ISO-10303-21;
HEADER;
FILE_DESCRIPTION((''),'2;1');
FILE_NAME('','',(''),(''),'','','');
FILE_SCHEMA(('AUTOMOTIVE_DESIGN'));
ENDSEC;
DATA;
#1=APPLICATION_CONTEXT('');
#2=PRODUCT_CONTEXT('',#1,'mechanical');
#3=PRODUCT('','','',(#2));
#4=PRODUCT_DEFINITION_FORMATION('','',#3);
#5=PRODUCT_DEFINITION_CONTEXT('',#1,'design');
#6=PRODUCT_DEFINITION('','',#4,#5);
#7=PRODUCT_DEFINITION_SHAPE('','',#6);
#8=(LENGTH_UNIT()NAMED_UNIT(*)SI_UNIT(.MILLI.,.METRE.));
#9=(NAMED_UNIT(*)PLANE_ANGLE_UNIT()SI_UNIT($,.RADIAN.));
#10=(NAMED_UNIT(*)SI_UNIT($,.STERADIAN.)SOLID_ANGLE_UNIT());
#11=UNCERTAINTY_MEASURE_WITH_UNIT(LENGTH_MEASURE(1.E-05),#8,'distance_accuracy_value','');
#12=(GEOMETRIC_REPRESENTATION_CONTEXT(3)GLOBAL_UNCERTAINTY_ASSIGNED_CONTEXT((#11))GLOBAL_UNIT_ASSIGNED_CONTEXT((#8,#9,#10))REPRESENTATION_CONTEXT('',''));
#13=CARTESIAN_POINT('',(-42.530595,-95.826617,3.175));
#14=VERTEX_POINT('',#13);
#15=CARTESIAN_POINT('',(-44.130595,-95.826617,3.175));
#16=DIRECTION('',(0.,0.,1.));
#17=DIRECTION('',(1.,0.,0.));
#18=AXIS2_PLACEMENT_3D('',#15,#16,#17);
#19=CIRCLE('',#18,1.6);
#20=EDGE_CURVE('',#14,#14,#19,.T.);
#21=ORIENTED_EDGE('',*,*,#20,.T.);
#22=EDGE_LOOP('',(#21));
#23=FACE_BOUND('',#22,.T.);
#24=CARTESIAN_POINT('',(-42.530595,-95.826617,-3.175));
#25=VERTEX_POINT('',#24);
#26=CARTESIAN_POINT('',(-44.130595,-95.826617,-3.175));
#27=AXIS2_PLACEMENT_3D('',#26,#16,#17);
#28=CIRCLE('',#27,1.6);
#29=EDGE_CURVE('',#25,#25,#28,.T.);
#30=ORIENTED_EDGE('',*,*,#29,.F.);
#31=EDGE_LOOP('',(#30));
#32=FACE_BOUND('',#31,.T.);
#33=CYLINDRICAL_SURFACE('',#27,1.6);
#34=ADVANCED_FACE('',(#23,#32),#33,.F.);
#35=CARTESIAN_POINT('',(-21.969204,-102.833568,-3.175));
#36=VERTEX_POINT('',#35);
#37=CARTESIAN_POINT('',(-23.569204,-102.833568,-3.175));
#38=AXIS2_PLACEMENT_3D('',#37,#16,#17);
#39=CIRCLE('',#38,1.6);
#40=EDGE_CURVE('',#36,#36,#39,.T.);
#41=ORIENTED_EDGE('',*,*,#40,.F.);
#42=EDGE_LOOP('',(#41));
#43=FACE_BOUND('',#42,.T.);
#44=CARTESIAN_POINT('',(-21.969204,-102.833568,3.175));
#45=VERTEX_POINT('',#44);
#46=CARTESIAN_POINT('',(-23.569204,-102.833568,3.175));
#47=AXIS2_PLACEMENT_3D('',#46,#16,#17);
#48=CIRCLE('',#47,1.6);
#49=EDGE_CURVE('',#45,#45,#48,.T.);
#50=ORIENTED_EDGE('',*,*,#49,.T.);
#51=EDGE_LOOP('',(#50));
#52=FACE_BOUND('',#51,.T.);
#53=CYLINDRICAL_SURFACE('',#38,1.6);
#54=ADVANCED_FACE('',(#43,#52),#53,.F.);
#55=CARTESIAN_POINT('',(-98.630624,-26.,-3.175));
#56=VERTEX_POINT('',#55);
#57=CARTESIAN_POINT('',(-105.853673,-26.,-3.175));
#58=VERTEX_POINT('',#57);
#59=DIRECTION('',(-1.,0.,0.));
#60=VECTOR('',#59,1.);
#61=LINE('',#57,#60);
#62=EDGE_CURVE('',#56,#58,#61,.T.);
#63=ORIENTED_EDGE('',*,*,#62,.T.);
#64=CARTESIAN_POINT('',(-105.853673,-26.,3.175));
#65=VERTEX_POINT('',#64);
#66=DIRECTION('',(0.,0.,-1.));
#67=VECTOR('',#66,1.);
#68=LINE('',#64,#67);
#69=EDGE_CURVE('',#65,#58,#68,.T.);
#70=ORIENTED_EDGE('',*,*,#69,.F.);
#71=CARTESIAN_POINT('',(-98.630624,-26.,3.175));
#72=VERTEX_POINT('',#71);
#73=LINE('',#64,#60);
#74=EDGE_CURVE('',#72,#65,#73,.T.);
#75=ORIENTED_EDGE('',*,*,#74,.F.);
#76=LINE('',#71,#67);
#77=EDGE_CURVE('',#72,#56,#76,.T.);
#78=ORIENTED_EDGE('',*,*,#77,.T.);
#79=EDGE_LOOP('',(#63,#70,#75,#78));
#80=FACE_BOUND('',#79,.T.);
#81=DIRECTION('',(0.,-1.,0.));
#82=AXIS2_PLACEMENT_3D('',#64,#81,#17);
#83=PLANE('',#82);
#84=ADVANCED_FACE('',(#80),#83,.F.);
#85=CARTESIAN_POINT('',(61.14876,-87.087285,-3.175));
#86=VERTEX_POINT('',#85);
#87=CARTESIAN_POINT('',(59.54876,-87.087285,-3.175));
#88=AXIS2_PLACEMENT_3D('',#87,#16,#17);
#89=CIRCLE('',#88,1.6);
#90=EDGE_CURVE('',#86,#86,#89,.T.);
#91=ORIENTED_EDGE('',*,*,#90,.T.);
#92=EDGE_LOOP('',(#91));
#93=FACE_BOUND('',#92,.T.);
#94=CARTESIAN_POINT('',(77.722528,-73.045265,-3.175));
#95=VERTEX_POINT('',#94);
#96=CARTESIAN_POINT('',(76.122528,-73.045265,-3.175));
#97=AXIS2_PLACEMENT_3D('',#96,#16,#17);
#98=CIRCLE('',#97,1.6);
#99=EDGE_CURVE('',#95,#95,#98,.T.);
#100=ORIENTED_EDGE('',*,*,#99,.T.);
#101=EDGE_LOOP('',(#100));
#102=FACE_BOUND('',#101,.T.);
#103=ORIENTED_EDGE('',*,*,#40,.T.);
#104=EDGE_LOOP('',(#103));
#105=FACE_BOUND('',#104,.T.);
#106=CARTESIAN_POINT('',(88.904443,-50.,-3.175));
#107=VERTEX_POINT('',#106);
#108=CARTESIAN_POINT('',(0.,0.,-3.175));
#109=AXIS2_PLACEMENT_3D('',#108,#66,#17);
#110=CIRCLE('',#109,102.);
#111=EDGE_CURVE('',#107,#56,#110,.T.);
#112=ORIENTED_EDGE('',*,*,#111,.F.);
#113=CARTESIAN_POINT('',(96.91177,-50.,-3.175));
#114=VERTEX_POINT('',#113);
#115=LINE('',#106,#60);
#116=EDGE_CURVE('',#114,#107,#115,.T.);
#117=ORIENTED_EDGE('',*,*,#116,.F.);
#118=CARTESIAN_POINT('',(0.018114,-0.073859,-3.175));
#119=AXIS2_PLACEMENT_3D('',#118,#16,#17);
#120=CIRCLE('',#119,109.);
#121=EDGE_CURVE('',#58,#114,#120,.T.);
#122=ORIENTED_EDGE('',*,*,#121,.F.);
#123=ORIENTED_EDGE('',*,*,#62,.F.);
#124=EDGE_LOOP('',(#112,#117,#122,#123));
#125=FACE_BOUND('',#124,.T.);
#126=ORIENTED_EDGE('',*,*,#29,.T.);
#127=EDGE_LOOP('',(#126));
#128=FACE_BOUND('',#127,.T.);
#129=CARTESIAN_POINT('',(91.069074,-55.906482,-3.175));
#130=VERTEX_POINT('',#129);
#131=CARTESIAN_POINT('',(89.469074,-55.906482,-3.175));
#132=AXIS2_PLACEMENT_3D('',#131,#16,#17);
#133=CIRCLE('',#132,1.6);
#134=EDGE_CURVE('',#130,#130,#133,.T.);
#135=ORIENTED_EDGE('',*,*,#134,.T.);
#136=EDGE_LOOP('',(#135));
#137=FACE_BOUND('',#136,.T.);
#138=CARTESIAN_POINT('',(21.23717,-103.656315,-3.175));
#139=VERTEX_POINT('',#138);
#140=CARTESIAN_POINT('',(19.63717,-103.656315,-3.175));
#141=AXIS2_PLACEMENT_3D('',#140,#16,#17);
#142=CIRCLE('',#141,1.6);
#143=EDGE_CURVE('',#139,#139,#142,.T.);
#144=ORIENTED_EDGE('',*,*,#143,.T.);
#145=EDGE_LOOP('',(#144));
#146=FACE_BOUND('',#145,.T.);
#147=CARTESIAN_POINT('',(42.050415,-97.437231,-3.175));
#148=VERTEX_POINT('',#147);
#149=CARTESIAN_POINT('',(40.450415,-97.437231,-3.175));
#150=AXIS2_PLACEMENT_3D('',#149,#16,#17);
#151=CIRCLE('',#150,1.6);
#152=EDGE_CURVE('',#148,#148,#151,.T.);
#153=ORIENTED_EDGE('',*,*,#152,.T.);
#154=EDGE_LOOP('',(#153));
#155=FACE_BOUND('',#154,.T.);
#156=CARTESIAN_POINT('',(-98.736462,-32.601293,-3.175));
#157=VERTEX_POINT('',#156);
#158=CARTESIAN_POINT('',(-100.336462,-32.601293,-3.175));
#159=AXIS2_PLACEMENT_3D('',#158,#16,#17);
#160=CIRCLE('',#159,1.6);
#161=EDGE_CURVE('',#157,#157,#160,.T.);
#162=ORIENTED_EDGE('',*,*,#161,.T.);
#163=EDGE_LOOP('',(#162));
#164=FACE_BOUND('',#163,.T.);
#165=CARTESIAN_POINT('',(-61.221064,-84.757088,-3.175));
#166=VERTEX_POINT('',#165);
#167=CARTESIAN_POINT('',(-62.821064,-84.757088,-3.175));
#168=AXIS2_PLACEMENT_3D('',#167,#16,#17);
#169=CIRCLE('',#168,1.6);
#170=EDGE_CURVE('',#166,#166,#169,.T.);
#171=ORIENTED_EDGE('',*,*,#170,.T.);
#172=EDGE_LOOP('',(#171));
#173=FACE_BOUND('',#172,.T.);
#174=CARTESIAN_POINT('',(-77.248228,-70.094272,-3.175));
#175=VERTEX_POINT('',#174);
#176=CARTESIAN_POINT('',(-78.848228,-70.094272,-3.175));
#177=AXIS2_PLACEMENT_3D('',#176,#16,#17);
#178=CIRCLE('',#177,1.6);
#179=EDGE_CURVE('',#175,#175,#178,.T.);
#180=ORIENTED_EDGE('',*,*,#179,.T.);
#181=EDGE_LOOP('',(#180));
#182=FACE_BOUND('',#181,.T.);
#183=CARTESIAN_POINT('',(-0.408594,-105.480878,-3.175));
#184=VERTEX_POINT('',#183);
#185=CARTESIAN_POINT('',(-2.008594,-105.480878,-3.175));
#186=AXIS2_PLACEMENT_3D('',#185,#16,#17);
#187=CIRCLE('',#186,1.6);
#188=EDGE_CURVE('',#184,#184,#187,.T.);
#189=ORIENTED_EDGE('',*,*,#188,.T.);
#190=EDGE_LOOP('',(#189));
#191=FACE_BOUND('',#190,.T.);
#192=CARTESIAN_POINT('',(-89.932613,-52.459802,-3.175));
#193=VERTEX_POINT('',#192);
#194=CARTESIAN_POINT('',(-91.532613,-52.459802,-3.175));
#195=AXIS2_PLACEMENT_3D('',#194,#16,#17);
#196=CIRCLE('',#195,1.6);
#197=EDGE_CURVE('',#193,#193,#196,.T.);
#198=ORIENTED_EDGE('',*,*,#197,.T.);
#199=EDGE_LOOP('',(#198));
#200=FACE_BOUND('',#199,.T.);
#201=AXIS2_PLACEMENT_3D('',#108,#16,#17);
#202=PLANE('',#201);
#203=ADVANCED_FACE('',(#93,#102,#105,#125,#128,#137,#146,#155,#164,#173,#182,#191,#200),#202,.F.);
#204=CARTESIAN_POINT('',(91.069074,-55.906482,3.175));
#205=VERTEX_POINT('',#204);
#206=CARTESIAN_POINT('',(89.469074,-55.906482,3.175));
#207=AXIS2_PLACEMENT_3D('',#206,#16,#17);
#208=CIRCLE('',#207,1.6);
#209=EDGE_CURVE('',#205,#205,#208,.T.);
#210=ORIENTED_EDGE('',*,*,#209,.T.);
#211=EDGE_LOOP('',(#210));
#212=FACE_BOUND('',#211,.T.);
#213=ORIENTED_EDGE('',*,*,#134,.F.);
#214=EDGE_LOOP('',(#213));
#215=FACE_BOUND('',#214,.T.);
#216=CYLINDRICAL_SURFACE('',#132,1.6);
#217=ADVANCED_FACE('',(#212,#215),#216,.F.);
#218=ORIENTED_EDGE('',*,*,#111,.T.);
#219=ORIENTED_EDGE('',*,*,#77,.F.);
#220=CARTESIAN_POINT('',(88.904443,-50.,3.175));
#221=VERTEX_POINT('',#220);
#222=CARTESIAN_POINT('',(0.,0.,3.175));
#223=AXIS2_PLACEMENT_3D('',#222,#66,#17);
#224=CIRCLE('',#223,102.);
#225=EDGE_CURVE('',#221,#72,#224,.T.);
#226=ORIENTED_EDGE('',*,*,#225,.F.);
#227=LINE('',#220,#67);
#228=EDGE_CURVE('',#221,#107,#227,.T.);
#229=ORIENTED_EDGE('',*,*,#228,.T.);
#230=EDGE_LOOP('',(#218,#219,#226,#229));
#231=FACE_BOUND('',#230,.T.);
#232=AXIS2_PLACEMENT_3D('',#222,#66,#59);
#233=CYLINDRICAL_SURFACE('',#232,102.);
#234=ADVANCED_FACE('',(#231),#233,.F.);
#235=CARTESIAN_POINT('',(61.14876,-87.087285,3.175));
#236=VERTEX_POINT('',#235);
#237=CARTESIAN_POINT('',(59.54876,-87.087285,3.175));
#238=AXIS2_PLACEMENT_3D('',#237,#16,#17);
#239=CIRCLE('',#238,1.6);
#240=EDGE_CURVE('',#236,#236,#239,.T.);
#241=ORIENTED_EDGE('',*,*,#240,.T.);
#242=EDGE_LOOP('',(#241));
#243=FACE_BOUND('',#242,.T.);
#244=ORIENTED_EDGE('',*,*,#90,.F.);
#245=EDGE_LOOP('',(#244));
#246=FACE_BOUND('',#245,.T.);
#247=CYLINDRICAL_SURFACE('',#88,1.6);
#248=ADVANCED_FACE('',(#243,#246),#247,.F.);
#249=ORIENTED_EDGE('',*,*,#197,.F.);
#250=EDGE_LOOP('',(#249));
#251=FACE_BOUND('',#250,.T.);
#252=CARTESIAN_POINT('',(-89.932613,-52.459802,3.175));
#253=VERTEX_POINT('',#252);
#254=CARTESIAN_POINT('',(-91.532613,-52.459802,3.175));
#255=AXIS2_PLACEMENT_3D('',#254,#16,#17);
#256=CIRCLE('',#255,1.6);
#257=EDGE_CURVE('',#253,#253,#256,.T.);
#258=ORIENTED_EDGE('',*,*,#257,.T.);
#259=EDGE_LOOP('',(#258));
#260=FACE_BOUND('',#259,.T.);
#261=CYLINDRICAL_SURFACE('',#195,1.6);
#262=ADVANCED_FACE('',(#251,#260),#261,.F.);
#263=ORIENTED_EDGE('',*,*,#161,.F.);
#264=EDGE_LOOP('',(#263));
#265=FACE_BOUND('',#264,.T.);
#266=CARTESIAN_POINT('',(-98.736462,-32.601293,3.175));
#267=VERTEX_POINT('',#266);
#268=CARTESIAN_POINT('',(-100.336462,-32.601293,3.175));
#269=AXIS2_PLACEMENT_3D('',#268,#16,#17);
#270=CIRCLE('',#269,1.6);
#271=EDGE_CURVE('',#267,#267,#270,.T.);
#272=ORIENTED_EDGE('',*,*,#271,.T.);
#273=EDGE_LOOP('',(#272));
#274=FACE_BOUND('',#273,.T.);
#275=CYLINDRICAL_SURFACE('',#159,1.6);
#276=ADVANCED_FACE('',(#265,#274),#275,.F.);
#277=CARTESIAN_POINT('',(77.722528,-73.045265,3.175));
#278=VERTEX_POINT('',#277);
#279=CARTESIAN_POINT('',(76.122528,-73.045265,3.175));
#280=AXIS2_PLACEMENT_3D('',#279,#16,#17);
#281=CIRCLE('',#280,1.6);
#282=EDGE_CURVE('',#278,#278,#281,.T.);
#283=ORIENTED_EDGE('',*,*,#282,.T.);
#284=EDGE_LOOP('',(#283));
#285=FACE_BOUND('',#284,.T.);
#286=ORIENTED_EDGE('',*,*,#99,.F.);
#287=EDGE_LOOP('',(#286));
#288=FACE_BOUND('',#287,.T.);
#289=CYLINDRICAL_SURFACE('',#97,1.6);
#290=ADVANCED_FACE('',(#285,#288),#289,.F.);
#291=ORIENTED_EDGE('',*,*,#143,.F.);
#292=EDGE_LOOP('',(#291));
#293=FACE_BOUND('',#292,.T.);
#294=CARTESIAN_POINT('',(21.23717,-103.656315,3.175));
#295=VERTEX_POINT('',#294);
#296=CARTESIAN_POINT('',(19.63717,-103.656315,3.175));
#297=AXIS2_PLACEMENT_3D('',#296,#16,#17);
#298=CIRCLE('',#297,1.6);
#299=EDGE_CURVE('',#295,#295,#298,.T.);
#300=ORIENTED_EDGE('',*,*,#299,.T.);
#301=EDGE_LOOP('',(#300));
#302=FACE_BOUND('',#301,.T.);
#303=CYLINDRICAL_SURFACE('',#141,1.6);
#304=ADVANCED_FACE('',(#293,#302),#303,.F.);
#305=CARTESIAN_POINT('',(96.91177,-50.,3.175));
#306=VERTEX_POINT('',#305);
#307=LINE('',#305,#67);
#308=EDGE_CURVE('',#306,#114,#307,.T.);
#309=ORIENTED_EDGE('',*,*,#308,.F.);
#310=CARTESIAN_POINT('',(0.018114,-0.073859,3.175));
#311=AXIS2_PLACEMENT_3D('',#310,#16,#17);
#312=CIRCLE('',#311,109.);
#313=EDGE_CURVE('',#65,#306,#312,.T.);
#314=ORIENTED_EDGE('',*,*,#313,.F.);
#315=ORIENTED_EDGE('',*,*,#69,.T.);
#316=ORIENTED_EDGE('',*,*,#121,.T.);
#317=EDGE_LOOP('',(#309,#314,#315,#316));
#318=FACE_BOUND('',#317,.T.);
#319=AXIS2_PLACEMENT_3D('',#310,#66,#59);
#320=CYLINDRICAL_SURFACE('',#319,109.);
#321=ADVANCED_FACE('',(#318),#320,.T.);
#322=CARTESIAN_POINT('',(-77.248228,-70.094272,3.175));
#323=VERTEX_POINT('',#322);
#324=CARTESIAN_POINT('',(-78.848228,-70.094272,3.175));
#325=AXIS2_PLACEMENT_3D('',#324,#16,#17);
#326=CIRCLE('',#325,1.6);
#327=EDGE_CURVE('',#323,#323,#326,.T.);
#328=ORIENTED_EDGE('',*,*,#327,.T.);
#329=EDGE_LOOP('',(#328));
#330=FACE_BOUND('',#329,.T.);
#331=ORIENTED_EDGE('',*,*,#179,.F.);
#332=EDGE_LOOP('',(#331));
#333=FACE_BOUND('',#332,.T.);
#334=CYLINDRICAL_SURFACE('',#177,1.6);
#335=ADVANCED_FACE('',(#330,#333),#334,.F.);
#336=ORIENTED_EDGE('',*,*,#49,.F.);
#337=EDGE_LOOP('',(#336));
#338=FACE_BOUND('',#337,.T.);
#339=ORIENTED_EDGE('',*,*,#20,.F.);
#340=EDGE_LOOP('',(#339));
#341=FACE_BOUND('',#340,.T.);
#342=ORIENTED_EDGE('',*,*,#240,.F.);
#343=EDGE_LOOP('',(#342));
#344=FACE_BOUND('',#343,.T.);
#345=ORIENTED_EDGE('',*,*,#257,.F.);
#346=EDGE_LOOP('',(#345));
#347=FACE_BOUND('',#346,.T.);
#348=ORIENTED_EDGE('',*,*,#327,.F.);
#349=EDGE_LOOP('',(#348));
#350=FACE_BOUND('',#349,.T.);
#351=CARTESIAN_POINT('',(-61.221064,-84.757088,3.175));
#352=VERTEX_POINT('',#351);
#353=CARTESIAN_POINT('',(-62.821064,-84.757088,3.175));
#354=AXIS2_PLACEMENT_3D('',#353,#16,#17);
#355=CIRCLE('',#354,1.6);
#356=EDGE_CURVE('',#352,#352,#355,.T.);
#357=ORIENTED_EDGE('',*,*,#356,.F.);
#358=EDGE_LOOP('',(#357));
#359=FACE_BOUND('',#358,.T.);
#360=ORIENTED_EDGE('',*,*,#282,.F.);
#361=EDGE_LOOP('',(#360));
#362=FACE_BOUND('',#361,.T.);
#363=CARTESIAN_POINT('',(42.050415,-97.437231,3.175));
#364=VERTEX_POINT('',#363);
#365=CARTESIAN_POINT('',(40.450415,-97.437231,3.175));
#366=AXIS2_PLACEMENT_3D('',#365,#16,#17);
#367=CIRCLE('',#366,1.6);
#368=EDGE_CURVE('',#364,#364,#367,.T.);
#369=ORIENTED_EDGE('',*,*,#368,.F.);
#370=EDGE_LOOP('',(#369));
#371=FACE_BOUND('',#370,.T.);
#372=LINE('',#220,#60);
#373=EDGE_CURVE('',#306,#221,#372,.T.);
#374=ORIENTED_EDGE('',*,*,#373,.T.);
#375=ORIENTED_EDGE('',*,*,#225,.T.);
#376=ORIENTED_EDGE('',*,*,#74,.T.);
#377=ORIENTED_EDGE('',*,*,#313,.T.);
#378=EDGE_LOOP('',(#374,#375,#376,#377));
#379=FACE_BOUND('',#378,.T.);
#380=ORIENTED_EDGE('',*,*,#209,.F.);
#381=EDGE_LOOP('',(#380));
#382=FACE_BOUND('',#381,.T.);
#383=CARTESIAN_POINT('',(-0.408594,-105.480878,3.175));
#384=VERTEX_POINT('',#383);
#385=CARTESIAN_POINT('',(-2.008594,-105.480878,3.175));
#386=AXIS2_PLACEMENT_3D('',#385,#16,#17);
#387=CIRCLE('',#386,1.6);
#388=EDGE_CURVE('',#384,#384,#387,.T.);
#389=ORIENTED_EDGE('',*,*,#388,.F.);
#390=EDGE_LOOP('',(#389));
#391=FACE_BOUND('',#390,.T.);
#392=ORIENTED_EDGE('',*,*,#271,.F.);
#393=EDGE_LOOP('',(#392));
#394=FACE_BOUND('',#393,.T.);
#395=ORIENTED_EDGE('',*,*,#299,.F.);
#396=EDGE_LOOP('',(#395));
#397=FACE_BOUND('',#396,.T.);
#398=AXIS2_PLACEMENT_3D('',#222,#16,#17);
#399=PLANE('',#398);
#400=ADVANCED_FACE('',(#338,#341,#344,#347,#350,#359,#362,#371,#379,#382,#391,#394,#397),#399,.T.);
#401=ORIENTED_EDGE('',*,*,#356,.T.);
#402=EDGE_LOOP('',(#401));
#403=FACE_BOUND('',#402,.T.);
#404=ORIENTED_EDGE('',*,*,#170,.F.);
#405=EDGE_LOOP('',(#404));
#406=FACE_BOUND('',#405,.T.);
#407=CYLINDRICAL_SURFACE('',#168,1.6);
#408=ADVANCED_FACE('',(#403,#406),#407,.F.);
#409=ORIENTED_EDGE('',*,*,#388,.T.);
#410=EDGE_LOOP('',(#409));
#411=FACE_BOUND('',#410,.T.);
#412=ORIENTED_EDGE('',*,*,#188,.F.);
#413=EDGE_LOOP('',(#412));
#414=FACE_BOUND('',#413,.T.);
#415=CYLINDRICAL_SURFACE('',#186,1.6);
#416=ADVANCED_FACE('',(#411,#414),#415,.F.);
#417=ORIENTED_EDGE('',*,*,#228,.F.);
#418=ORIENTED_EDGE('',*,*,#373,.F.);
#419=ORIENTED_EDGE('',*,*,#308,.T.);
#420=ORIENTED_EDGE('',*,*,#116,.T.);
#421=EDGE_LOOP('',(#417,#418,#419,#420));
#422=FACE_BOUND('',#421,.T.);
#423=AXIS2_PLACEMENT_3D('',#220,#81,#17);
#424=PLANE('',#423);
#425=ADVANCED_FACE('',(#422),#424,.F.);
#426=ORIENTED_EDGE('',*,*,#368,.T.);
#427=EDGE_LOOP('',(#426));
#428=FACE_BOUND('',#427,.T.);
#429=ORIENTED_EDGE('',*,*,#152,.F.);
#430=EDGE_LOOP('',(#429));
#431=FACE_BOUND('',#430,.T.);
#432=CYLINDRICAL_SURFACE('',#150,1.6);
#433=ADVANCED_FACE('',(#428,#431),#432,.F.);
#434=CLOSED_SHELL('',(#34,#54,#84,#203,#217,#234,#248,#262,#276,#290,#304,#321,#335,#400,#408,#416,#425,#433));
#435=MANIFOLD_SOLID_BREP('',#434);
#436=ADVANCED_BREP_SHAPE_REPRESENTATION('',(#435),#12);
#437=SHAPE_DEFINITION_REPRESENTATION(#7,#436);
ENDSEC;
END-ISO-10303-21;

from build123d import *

# Parameters (mm, degrees)
BOSS_EXTRUDE1_DEPTH = 3.175
SKETCH4_R           = 1.6
CUT_EXTRUDE3_DEPTH  = 153.126359575


with BuildPart() as part:
    # Sketch1 → Boss-Extrude1 (new, symmetric)
    with BuildSketch(Plane.XY):
        with BuildLine():
            Line((88.904443084, -50), (96.911769633, -50))
            ThreePointArc((96.911769633, -50), (-12.794056242, -108.31825077), (-105.853672586, -26))
            Line((-105.853672586, -26), (-98.630624048, -26))
            ThreePointArc((-98.630624048, -26), (-12.947959261, -101.174850388), (88.904443084, -50))
        make_face()
    extrude(amount=BOSS_EXTRUDE1_DEPTH, both=True)

    # Sketch4 → Cut-Extrude3 (cut, through all)
    with BuildSketch(Plane.XY.offset(3.175)):
        with Locations((-103.194571877, -21.934683381)):
            Circle(SKETCH4_R)
        with Locations((-105.407458575, -4.417881468)):
            Circle(SKETCH4_R)
        with Locations((-104.668100989, -13.222656141)):
            Circle(SKETCH4_R)
        with Locations((-100.336462469, 32.601292907)):
            Circle(SKETCH4_R)
        with Locations((104.295371407, 15.897342642)):
            Circle(SKETCH4_R)
        with Locations((100.708995202, 31.43164465)):
            Circle(SKETCH4_R)
        with Locations((94.822771885, 46.248155986)):
            Circle(SKETCH4_R)
        with Locations((-103.194571877, 21.934683381)):
            Circle(SKETCH4_R)
        with Locations((-104.668100989, 13.222656141)):
            Circle(SKETCH4_R)
        with Locations((-105.407458575, 4.417881468)):
            Circle(SKETCH4_R)
        with Locations((89.469074145, -55.906482377)):
            Circle(SKETCH4_R)
        with Locations((-44.130594647, 95.826617472)):
            Circle(SKETCH4_R)
        with Locations((-62.82106423, 84.757087545)):
            Circle(SKETCH4_R)
        with Locations((-78.848228037, 70.094271773)):
            Circle(SKETCH4_R)
        with Locations((-91.532612735, 52.45980181)):
            Circle(SKETCH4_R)
        with Locations((94.822771885, -46.248155986)):
            Circle(SKETCH4_R)
        with Locations((100.708995202, -31.43164465)):
            Circle(SKETCH4_R)
        with Locations((104.295371407, -15.897342642)):
            Circle(SKETCH4_R)
        with Locations((105.5, 0)):
            Circle(SKETCH4_R)
        with Locations((76.122528254, -73.04526468)):
            Circle(SKETCH4_R)
        with Locations((89.469074145, 55.906482377)):
            Circle(SKETCH4_R)
        with Locations((76.122528254, 73.04526468)):
            Circle(SKETCH4_R)
        with Locations((59.54875959, 87.08728513)):
            Circle(SKETCH4_R)
        with Locations((40.450414858, 97.437230758)):
            Circle(SKETCH4_R)
        with Locations((19.637170436, 103.656314507)):
            Circle(SKETCH4_R)
        with Locations((-2.008593938, 105.480877653)):
            Circle(SKETCH4_R)
        with Locations((-23.569203757, 102.833567643)):
            Circle(SKETCH4_R)
        with Locations((-91.532612735, -52.45980181)):
            Circle(SKETCH4_R)
        with Locations((-62.82106423, -84.757087545)):
            Circle(SKETCH4_R)
        with Locations((-44.130594647, -95.826617472)):
            Circle(SKETCH4_R)
        with Locations((-23.569203757, -102.833567643)):
            Circle(SKETCH4_R)
        with Locations((-2.008593938, -105.480877653)):
            Circle(SKETCH4_R)
        with Locations((19.637170436, -103.656314507)):
            Circle(SKETCH4_R)
        with Locations((40.450414858, -97.437230758)):
            Circle(SKETCH4_R)
        with Locations((59.54875959, -87.08728513)):
            Circle(SKETCH4_R)
        with Locations((-78.848228037, -70.094271773)):
            Circle(SKETCH4_R)
        with Locations((-100.336462469, -32.601292907)):
            Circle(SKETCH4_R)
    extrude(amount=-CUT_EXTRUDE3_DEPTH, mode=Mode.SUBTRACT)


solid = part.part
